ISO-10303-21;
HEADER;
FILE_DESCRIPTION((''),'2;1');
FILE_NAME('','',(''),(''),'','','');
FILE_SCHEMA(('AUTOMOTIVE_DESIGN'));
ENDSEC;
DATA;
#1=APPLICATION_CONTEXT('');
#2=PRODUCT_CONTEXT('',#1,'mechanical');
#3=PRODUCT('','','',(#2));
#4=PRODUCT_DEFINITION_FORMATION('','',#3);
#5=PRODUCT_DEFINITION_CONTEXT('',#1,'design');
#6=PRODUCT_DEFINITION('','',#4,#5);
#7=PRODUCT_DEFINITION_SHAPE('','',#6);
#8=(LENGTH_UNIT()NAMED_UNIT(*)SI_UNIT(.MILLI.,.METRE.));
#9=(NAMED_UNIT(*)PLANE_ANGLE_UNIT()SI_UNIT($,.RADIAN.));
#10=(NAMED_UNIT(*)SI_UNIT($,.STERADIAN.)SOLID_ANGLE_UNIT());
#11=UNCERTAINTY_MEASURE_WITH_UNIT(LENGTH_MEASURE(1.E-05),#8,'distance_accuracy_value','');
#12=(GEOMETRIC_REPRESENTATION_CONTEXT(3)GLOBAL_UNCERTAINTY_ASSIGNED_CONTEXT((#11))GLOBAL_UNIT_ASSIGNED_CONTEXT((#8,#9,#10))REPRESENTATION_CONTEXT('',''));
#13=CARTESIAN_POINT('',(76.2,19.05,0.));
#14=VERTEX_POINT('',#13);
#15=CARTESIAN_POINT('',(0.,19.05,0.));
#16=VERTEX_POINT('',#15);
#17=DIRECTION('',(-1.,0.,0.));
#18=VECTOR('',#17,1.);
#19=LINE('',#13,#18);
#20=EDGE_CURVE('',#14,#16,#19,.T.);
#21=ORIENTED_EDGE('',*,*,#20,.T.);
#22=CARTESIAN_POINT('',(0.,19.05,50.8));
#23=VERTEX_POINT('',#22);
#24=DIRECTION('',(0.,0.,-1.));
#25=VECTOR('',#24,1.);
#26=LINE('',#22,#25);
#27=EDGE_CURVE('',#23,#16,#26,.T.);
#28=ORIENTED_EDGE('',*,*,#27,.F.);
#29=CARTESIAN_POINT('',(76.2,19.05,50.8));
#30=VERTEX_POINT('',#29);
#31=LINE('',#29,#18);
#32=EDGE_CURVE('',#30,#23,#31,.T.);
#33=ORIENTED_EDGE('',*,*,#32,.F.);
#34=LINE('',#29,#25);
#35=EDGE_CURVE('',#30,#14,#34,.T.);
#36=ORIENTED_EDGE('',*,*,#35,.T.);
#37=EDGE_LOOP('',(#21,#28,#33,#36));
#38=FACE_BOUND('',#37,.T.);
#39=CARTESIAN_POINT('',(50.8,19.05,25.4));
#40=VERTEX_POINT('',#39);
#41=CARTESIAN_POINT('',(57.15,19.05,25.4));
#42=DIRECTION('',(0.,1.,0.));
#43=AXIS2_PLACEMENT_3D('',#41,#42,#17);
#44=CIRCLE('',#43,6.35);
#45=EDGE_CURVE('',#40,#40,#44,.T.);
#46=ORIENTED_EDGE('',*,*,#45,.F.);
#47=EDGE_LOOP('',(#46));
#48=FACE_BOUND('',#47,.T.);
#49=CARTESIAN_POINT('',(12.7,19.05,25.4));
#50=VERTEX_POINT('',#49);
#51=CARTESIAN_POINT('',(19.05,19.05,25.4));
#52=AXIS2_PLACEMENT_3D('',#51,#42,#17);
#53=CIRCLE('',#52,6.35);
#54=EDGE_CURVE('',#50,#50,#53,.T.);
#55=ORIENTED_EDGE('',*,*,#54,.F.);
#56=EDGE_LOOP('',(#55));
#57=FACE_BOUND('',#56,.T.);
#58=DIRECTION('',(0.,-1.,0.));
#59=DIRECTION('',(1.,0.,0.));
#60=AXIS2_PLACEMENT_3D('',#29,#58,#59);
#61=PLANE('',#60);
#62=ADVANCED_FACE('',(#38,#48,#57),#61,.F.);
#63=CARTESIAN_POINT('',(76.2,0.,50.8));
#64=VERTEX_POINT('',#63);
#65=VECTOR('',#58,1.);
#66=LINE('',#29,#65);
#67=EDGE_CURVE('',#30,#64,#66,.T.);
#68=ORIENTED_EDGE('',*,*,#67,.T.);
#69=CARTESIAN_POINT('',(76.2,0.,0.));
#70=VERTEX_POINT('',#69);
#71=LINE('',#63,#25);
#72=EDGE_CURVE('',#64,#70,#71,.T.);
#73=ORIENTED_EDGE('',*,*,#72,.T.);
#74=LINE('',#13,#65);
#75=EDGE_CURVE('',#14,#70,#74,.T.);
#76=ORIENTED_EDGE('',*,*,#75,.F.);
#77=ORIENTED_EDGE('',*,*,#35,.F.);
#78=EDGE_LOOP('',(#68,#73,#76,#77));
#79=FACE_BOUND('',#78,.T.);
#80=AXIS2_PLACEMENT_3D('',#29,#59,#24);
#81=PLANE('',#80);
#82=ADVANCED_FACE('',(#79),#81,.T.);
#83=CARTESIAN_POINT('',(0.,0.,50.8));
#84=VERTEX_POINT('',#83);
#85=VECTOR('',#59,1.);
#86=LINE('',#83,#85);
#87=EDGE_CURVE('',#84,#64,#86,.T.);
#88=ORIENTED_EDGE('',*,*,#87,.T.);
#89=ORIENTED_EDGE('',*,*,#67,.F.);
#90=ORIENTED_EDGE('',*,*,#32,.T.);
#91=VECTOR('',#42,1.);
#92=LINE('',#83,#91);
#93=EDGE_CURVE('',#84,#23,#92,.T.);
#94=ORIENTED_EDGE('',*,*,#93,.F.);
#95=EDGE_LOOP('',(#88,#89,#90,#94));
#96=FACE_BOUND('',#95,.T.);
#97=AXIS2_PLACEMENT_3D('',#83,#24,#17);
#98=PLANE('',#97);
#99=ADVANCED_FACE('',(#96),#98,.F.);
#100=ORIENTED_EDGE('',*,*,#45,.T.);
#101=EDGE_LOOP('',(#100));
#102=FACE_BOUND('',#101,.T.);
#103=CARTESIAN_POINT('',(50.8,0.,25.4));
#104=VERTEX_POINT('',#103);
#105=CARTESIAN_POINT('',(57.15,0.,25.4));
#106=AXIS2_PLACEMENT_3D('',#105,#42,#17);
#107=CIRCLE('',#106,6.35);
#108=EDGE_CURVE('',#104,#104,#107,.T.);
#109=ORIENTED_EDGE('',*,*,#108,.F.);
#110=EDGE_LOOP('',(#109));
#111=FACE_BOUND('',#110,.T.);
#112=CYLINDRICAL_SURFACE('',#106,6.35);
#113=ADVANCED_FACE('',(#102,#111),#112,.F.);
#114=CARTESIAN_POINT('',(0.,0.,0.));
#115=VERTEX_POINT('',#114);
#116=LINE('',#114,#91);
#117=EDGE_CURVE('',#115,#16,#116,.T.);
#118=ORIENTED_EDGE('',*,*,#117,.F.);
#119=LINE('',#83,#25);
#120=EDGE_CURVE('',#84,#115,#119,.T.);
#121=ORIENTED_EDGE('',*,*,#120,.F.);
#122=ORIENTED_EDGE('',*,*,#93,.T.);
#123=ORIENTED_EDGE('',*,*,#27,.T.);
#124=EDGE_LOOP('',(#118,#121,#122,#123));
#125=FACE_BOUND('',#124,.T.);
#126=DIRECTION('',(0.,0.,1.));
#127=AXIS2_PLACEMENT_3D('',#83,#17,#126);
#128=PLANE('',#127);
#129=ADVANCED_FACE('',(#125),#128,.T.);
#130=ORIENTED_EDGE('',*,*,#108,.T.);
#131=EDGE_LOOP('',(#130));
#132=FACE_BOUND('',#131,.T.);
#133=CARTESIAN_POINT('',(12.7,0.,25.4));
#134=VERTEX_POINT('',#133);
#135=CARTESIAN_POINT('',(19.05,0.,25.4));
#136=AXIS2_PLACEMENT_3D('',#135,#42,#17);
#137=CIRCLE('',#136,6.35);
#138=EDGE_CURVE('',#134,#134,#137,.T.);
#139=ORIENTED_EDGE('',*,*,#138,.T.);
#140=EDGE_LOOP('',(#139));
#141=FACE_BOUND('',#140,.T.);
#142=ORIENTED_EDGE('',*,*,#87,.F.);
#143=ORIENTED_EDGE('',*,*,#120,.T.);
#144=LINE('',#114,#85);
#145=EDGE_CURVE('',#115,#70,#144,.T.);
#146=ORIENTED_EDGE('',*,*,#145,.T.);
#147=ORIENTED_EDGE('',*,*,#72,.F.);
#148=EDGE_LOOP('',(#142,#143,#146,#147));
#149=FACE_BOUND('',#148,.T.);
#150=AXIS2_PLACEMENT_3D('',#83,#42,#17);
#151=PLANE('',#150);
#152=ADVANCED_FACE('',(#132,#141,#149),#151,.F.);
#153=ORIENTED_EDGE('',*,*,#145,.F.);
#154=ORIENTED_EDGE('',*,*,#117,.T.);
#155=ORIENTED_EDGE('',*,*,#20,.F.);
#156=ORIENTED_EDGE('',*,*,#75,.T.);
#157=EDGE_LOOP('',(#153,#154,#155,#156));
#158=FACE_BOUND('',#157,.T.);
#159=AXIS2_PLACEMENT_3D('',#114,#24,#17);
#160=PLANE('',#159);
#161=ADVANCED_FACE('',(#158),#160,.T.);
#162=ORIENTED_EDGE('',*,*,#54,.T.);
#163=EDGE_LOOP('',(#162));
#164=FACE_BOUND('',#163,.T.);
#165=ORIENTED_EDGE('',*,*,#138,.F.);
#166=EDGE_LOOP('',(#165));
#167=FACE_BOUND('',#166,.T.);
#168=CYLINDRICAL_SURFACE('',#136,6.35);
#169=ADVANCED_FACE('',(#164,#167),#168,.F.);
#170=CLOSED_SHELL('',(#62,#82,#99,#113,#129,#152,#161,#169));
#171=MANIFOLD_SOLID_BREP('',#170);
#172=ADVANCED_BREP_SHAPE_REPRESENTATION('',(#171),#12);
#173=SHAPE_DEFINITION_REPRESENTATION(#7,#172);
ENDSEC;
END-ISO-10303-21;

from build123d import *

# Parameters (mm, degrees)
SKETCH1_W          = 76.2
SKETCH1_H          = 19.05
BASE_EXTRUDE_DEPTH = 50.8
SKETCH2_R          = 6.35
CUT_EXTRUDE1_DEPTH = 94.541341128


with BuildPart() as part:
    # Sketch1 → Base-Extrude (new body)
    with BuildSketch(Plane.XY):
        with Locations((38.1, 9.525)):
            Rectangle(SKETCH1_W, SKETCH1_H)
    extrude(amount=BASE_EXTRUDE_DEPTH)

    # Sketch2 → Cut-Extrude1 (cut, through all)
    with BuildSketch(Plane(origin=(0, 19.05, 0), x_dir=(-1, 0, 0), z_dir=(0, 1, 0))):
        with Locations((-57.15, 25.4)):
            Circle(SKETCH2_R)
        with Locations((-19.05, 25.4)):
            Circle(SKETCH2_R)
    extrude(amount=-CUT_EXTRUDE1_DEPTH, mode=Mode.SUBTRACT)


solid = part.part
